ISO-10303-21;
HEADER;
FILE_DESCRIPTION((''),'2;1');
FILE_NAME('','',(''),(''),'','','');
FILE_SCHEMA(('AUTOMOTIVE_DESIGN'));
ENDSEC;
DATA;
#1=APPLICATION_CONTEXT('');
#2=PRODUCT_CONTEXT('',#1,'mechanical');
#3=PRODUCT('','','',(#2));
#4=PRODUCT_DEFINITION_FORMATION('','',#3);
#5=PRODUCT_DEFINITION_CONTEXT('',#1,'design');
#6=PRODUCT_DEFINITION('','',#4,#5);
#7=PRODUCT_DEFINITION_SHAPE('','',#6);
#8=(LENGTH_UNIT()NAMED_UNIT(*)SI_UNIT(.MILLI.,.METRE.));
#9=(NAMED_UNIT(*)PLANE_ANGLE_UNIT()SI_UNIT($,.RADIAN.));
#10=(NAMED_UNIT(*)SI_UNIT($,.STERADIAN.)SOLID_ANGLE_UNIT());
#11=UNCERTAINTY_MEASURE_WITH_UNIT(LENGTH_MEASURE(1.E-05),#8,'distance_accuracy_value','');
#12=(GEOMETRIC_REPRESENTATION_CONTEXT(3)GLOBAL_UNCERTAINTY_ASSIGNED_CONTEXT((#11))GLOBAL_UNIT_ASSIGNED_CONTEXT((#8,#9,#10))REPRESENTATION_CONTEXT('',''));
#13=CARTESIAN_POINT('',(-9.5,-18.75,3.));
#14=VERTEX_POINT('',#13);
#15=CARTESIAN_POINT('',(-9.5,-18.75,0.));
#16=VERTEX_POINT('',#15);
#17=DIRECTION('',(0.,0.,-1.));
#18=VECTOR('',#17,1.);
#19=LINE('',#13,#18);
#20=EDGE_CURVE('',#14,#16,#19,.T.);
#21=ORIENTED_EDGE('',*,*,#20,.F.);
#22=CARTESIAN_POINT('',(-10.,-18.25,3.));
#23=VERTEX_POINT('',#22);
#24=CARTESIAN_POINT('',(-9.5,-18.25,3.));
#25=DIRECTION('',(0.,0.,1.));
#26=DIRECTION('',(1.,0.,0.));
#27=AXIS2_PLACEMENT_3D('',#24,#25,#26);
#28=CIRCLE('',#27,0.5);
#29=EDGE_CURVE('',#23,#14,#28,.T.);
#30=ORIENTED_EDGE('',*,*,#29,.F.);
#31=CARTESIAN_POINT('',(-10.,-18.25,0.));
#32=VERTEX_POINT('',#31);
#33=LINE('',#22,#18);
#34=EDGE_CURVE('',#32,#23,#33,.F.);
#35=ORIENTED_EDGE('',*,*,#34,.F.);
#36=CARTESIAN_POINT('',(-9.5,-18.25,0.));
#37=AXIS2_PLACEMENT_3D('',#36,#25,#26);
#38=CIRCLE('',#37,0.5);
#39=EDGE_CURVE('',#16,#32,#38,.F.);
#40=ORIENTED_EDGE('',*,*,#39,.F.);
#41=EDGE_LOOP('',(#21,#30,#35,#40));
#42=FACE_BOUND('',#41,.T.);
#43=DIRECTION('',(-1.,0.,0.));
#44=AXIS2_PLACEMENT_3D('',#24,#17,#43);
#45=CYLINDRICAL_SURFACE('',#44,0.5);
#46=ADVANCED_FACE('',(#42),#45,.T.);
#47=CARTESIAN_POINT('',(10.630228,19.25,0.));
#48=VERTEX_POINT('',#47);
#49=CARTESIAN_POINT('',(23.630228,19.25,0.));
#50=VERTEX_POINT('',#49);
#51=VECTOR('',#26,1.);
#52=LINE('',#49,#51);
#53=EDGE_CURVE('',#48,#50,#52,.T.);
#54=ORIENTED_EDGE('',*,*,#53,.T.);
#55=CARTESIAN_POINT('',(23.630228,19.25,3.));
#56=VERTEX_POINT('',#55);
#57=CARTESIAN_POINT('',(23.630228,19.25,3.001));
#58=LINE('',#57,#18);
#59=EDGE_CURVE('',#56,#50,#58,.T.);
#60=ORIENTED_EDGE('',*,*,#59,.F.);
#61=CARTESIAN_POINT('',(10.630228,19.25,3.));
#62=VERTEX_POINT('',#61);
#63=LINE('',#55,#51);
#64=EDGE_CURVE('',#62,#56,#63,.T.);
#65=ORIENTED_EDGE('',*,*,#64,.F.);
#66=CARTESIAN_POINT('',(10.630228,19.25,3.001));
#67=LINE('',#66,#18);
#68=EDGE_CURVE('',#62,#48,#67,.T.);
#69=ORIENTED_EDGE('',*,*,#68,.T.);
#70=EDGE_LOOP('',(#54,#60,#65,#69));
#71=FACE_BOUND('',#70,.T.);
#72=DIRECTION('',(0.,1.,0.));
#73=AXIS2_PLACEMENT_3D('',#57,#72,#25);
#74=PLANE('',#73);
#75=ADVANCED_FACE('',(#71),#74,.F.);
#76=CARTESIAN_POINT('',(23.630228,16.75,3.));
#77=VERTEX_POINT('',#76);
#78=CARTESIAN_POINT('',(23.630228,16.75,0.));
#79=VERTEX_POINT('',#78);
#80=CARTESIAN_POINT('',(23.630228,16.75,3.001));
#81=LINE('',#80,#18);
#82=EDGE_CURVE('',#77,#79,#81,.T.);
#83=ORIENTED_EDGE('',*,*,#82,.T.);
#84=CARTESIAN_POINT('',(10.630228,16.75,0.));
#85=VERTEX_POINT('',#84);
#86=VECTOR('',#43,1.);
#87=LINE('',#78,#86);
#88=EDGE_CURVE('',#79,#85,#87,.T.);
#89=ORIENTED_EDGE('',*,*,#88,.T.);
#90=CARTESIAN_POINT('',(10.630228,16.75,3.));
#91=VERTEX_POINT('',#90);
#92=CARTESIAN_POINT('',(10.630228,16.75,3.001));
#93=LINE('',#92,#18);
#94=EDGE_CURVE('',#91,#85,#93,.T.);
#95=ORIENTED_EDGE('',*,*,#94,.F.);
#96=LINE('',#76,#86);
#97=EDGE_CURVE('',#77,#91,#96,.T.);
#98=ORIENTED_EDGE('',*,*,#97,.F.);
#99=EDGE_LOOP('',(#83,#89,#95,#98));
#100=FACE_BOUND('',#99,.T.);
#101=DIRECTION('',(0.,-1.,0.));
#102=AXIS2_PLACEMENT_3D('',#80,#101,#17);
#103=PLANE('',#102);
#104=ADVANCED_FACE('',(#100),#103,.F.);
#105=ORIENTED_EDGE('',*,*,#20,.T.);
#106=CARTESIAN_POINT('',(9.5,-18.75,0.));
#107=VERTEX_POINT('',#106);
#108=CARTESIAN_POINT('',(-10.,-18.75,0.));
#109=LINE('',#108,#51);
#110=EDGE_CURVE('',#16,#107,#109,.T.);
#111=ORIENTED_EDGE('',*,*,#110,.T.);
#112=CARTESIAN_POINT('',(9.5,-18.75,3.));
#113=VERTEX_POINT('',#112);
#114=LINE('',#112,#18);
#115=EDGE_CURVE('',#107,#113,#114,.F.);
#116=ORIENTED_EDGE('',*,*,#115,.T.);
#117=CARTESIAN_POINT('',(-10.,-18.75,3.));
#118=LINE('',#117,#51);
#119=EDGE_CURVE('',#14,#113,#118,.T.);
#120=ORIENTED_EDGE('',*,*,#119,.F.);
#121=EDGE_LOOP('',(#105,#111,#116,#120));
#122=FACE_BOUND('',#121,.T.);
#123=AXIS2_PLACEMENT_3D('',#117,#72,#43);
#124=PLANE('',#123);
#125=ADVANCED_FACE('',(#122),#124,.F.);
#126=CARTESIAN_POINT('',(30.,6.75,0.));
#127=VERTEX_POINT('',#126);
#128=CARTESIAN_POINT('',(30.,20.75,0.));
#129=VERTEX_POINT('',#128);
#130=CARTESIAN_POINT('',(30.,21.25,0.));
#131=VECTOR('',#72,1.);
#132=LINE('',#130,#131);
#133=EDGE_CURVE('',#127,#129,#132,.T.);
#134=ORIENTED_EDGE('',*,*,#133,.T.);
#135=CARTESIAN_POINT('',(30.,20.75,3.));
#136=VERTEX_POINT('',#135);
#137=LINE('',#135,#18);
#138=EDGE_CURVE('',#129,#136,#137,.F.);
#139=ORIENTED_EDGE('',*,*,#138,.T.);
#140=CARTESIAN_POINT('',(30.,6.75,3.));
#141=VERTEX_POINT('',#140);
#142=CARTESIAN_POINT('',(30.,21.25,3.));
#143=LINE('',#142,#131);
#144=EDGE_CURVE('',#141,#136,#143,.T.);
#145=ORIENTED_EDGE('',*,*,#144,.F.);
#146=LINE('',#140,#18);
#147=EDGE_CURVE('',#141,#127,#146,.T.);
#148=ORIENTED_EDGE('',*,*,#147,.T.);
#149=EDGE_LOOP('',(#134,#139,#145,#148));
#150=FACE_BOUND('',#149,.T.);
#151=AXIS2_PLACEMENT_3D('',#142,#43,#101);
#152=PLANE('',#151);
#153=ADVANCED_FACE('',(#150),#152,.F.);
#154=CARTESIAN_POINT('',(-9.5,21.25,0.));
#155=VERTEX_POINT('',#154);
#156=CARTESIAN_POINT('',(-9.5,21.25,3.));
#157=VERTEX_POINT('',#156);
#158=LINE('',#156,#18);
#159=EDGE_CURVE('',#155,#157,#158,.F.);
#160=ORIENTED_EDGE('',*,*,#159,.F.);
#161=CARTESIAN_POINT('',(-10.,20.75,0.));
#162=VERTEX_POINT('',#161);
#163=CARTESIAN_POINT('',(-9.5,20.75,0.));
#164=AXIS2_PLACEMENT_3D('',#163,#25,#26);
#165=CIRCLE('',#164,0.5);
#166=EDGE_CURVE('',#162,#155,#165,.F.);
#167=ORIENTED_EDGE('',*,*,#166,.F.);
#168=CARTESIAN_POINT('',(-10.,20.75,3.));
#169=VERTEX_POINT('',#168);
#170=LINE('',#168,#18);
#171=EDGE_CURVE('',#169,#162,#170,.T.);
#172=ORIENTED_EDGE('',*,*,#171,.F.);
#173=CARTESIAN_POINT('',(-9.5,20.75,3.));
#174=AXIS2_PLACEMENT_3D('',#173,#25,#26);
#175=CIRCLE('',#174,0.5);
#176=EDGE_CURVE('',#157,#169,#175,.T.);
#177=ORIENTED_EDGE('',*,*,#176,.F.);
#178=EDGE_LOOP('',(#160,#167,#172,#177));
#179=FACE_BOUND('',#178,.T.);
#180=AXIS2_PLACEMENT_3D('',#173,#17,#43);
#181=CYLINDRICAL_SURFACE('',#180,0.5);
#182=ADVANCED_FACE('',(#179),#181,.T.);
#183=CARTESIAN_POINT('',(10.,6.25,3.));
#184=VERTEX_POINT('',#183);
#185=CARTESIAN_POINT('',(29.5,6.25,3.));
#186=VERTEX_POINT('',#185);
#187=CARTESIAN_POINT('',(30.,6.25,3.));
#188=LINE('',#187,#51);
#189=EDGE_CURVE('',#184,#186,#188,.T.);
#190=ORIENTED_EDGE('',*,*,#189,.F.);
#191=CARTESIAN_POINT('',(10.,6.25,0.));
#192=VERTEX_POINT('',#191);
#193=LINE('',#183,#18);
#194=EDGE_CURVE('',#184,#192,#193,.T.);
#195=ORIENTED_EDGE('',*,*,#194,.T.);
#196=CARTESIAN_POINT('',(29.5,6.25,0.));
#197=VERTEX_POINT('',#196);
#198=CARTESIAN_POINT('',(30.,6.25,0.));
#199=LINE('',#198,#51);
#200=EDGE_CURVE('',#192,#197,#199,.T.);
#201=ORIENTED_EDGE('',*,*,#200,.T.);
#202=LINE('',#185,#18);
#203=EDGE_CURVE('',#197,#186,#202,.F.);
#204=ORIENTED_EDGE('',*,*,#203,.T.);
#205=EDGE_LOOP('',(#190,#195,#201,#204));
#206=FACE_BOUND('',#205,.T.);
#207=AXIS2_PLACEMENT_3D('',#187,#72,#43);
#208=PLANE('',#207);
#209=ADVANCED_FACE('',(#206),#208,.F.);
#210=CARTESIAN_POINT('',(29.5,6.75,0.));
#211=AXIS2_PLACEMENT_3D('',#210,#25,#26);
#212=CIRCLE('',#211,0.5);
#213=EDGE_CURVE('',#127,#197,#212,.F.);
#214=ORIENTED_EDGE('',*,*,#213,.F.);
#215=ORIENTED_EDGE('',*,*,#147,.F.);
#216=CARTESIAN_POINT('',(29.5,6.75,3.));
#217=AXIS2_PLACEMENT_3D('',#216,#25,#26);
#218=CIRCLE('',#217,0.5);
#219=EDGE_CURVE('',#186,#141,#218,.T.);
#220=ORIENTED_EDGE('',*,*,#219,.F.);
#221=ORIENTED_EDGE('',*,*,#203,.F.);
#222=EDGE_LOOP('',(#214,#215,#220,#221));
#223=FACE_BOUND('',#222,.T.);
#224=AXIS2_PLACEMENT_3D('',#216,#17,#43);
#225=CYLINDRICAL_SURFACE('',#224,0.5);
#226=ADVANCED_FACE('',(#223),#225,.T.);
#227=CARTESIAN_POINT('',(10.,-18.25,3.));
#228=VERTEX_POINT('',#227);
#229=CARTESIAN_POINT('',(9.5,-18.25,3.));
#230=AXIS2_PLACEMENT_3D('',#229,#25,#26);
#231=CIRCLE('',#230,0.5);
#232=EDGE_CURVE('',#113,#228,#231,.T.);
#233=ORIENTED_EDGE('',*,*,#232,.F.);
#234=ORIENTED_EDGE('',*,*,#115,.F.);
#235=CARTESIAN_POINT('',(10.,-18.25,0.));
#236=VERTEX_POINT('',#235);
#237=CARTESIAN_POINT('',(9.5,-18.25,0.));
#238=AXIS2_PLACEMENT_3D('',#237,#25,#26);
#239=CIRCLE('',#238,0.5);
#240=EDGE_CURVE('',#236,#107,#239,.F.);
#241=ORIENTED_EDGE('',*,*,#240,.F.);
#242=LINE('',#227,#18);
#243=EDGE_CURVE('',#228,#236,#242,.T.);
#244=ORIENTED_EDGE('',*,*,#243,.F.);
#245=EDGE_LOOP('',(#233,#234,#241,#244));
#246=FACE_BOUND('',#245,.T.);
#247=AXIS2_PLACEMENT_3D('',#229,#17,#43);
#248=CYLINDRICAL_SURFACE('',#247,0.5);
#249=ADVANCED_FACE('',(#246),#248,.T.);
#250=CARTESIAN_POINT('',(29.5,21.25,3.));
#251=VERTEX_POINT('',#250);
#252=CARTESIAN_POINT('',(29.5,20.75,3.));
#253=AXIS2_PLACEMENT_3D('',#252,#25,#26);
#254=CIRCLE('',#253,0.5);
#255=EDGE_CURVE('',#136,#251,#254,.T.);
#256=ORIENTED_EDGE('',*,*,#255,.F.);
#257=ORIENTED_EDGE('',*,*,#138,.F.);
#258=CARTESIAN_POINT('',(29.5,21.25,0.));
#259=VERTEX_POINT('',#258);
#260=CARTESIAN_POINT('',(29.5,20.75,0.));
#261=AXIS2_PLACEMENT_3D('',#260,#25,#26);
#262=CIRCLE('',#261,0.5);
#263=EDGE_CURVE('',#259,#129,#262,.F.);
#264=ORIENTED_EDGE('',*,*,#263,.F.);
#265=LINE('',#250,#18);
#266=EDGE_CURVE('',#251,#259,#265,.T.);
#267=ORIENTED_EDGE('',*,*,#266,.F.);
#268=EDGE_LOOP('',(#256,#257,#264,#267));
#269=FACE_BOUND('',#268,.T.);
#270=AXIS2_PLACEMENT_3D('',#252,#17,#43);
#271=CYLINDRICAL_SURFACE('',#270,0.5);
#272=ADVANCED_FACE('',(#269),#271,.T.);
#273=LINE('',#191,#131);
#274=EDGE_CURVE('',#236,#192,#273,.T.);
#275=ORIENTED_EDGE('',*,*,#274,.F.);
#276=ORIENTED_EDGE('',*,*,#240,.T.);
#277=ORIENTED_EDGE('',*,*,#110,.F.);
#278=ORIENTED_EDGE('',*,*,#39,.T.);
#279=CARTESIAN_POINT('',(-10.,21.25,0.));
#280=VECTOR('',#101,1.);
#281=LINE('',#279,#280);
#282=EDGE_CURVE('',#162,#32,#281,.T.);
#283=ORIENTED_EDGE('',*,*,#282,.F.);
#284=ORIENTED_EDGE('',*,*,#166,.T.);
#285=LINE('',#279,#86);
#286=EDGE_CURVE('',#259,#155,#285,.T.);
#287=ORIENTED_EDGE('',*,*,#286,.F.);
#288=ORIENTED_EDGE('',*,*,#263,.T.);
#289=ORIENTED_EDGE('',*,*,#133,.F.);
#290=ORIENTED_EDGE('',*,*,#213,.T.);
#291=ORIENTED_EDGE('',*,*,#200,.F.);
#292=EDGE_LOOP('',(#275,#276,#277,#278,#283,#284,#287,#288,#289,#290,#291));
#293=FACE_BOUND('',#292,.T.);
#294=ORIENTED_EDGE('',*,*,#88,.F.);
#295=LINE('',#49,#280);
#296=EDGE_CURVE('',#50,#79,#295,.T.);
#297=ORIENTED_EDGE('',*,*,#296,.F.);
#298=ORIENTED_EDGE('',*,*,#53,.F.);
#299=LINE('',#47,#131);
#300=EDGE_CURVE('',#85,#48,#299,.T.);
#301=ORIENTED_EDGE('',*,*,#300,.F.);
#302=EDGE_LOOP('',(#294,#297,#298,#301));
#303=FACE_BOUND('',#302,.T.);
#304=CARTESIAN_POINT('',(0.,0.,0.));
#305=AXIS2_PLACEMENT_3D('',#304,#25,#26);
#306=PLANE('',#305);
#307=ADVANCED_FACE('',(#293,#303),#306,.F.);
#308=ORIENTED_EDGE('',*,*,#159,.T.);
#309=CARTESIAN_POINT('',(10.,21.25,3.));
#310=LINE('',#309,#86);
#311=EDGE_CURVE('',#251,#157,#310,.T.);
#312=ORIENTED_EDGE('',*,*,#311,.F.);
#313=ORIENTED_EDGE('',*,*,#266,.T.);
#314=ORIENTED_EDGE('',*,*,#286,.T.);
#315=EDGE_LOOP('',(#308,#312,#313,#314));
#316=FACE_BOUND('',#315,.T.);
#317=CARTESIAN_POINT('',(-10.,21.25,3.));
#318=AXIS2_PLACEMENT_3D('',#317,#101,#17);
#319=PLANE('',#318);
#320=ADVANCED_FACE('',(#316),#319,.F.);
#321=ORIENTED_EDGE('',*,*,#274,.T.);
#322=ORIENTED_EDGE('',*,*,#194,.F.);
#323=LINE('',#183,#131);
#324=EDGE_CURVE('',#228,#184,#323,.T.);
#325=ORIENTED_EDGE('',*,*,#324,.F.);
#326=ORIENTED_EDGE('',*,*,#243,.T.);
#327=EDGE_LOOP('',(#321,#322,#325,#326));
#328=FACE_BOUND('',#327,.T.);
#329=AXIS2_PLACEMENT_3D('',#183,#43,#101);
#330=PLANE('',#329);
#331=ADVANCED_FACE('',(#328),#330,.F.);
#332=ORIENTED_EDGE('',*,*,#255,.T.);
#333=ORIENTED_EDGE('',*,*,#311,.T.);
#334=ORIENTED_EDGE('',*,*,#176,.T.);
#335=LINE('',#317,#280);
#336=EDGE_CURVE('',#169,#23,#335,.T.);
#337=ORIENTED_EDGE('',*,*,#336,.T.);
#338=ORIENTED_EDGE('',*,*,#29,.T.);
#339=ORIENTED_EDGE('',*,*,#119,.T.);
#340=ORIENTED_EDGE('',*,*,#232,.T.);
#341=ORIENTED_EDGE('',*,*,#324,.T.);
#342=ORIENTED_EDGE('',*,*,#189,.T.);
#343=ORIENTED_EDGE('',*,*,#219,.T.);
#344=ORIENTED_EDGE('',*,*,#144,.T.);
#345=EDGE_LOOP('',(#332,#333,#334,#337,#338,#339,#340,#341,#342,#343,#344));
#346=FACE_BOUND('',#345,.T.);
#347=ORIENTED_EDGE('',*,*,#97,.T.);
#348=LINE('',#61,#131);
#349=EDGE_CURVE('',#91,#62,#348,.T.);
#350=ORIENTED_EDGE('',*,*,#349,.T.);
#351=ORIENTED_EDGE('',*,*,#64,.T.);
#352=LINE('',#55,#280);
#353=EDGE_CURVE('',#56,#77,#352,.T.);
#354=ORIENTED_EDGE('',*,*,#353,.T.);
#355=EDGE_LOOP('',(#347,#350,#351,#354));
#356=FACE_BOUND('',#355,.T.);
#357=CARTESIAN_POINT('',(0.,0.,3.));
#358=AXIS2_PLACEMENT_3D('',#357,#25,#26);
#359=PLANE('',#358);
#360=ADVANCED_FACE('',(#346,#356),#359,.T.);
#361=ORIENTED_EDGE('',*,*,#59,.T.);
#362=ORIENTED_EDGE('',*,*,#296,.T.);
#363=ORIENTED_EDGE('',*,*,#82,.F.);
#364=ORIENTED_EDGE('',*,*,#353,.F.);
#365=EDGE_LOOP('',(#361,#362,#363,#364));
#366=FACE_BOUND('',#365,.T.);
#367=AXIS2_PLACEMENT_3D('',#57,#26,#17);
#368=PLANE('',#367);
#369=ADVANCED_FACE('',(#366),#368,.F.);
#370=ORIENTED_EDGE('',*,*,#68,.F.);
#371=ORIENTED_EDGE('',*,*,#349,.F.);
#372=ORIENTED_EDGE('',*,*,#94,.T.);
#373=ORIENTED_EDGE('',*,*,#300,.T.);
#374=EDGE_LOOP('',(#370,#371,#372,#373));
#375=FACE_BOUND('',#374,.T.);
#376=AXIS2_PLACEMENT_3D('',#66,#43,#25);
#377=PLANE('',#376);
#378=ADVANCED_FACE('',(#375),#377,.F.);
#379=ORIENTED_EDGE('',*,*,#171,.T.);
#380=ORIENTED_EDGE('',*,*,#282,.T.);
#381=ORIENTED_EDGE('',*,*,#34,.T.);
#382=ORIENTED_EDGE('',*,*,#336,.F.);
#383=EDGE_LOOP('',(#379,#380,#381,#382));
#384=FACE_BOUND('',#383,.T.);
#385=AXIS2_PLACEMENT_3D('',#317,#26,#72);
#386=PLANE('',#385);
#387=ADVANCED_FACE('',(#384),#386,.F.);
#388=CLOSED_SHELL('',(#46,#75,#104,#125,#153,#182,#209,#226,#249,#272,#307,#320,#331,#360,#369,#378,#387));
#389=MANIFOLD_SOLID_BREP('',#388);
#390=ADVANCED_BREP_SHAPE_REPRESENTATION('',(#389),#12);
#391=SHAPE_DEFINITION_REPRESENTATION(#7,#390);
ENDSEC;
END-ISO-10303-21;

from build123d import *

# Parameters (mm, degrees)
Y_KSEKLIK_EKSTR_ZYON1_DEPTH = 3
RADYUS1_R                   = 0.5
KES_EKSTR_ZYON2_REACH       = 38.886
IZIM6_W                     = 13
IZIM6_H                     = 2.5


with BuildPart() as part:
    # Çizim1 → Yükseklik-Ekstrüzyon1 (new body)
    with BuildSketch(Plane.XY):
        Polygon((10, 21.25), (30, 21.25), (30, 6.25), (10, 6.25), (10, -18.75), (-10, -18.75), (-10, 21.25), align=None)
    extrude(amount=Y_KSEKLIK_EKSTR_ZYON1_DEPTH)

    # Radyus1
    radyus1_edges = [part.edges().sort_by_distance(p)[0] for p in [
        (-10, 21.25, 1.5),
        (30, 21.25, 1.5),
        (30, 6.25, 1.5),
        (10, -18.75, 1.5),
        (-10, -18.75, 1.5),
    ]]
    fillet(radyus1_edges, radius=RADYUS1_R)

    # Çizim6 → Kes-Ekstrüzyon2 (cut, up to next)
    with BuildSketch(Plane(origin=(0, 0, 0), x_dir=(-1, 0, 0), z_dir=(0, 0, -1)), mode=Mode.PRIVATE) as kes_ekstr_zyon2_sk1:
        with Locations((-17.130228212, 18)):
            Rectangle(IZIM6_W, IZIM6_H)
    kes_ekstr_zyon2_tool1 = extrude(kes_ekstr_zyon2_sk1.sketch, amount=-KES_EKSTR_ZYON2_REACH, mode=Mode.PRIVATE) & part.part
    add(kes_ekstr_zyon2_tool1.solids().sort_by_distance((17.130228, 18, 0))[0], mode=Mode.SUBTRACT)


solid = part.part
